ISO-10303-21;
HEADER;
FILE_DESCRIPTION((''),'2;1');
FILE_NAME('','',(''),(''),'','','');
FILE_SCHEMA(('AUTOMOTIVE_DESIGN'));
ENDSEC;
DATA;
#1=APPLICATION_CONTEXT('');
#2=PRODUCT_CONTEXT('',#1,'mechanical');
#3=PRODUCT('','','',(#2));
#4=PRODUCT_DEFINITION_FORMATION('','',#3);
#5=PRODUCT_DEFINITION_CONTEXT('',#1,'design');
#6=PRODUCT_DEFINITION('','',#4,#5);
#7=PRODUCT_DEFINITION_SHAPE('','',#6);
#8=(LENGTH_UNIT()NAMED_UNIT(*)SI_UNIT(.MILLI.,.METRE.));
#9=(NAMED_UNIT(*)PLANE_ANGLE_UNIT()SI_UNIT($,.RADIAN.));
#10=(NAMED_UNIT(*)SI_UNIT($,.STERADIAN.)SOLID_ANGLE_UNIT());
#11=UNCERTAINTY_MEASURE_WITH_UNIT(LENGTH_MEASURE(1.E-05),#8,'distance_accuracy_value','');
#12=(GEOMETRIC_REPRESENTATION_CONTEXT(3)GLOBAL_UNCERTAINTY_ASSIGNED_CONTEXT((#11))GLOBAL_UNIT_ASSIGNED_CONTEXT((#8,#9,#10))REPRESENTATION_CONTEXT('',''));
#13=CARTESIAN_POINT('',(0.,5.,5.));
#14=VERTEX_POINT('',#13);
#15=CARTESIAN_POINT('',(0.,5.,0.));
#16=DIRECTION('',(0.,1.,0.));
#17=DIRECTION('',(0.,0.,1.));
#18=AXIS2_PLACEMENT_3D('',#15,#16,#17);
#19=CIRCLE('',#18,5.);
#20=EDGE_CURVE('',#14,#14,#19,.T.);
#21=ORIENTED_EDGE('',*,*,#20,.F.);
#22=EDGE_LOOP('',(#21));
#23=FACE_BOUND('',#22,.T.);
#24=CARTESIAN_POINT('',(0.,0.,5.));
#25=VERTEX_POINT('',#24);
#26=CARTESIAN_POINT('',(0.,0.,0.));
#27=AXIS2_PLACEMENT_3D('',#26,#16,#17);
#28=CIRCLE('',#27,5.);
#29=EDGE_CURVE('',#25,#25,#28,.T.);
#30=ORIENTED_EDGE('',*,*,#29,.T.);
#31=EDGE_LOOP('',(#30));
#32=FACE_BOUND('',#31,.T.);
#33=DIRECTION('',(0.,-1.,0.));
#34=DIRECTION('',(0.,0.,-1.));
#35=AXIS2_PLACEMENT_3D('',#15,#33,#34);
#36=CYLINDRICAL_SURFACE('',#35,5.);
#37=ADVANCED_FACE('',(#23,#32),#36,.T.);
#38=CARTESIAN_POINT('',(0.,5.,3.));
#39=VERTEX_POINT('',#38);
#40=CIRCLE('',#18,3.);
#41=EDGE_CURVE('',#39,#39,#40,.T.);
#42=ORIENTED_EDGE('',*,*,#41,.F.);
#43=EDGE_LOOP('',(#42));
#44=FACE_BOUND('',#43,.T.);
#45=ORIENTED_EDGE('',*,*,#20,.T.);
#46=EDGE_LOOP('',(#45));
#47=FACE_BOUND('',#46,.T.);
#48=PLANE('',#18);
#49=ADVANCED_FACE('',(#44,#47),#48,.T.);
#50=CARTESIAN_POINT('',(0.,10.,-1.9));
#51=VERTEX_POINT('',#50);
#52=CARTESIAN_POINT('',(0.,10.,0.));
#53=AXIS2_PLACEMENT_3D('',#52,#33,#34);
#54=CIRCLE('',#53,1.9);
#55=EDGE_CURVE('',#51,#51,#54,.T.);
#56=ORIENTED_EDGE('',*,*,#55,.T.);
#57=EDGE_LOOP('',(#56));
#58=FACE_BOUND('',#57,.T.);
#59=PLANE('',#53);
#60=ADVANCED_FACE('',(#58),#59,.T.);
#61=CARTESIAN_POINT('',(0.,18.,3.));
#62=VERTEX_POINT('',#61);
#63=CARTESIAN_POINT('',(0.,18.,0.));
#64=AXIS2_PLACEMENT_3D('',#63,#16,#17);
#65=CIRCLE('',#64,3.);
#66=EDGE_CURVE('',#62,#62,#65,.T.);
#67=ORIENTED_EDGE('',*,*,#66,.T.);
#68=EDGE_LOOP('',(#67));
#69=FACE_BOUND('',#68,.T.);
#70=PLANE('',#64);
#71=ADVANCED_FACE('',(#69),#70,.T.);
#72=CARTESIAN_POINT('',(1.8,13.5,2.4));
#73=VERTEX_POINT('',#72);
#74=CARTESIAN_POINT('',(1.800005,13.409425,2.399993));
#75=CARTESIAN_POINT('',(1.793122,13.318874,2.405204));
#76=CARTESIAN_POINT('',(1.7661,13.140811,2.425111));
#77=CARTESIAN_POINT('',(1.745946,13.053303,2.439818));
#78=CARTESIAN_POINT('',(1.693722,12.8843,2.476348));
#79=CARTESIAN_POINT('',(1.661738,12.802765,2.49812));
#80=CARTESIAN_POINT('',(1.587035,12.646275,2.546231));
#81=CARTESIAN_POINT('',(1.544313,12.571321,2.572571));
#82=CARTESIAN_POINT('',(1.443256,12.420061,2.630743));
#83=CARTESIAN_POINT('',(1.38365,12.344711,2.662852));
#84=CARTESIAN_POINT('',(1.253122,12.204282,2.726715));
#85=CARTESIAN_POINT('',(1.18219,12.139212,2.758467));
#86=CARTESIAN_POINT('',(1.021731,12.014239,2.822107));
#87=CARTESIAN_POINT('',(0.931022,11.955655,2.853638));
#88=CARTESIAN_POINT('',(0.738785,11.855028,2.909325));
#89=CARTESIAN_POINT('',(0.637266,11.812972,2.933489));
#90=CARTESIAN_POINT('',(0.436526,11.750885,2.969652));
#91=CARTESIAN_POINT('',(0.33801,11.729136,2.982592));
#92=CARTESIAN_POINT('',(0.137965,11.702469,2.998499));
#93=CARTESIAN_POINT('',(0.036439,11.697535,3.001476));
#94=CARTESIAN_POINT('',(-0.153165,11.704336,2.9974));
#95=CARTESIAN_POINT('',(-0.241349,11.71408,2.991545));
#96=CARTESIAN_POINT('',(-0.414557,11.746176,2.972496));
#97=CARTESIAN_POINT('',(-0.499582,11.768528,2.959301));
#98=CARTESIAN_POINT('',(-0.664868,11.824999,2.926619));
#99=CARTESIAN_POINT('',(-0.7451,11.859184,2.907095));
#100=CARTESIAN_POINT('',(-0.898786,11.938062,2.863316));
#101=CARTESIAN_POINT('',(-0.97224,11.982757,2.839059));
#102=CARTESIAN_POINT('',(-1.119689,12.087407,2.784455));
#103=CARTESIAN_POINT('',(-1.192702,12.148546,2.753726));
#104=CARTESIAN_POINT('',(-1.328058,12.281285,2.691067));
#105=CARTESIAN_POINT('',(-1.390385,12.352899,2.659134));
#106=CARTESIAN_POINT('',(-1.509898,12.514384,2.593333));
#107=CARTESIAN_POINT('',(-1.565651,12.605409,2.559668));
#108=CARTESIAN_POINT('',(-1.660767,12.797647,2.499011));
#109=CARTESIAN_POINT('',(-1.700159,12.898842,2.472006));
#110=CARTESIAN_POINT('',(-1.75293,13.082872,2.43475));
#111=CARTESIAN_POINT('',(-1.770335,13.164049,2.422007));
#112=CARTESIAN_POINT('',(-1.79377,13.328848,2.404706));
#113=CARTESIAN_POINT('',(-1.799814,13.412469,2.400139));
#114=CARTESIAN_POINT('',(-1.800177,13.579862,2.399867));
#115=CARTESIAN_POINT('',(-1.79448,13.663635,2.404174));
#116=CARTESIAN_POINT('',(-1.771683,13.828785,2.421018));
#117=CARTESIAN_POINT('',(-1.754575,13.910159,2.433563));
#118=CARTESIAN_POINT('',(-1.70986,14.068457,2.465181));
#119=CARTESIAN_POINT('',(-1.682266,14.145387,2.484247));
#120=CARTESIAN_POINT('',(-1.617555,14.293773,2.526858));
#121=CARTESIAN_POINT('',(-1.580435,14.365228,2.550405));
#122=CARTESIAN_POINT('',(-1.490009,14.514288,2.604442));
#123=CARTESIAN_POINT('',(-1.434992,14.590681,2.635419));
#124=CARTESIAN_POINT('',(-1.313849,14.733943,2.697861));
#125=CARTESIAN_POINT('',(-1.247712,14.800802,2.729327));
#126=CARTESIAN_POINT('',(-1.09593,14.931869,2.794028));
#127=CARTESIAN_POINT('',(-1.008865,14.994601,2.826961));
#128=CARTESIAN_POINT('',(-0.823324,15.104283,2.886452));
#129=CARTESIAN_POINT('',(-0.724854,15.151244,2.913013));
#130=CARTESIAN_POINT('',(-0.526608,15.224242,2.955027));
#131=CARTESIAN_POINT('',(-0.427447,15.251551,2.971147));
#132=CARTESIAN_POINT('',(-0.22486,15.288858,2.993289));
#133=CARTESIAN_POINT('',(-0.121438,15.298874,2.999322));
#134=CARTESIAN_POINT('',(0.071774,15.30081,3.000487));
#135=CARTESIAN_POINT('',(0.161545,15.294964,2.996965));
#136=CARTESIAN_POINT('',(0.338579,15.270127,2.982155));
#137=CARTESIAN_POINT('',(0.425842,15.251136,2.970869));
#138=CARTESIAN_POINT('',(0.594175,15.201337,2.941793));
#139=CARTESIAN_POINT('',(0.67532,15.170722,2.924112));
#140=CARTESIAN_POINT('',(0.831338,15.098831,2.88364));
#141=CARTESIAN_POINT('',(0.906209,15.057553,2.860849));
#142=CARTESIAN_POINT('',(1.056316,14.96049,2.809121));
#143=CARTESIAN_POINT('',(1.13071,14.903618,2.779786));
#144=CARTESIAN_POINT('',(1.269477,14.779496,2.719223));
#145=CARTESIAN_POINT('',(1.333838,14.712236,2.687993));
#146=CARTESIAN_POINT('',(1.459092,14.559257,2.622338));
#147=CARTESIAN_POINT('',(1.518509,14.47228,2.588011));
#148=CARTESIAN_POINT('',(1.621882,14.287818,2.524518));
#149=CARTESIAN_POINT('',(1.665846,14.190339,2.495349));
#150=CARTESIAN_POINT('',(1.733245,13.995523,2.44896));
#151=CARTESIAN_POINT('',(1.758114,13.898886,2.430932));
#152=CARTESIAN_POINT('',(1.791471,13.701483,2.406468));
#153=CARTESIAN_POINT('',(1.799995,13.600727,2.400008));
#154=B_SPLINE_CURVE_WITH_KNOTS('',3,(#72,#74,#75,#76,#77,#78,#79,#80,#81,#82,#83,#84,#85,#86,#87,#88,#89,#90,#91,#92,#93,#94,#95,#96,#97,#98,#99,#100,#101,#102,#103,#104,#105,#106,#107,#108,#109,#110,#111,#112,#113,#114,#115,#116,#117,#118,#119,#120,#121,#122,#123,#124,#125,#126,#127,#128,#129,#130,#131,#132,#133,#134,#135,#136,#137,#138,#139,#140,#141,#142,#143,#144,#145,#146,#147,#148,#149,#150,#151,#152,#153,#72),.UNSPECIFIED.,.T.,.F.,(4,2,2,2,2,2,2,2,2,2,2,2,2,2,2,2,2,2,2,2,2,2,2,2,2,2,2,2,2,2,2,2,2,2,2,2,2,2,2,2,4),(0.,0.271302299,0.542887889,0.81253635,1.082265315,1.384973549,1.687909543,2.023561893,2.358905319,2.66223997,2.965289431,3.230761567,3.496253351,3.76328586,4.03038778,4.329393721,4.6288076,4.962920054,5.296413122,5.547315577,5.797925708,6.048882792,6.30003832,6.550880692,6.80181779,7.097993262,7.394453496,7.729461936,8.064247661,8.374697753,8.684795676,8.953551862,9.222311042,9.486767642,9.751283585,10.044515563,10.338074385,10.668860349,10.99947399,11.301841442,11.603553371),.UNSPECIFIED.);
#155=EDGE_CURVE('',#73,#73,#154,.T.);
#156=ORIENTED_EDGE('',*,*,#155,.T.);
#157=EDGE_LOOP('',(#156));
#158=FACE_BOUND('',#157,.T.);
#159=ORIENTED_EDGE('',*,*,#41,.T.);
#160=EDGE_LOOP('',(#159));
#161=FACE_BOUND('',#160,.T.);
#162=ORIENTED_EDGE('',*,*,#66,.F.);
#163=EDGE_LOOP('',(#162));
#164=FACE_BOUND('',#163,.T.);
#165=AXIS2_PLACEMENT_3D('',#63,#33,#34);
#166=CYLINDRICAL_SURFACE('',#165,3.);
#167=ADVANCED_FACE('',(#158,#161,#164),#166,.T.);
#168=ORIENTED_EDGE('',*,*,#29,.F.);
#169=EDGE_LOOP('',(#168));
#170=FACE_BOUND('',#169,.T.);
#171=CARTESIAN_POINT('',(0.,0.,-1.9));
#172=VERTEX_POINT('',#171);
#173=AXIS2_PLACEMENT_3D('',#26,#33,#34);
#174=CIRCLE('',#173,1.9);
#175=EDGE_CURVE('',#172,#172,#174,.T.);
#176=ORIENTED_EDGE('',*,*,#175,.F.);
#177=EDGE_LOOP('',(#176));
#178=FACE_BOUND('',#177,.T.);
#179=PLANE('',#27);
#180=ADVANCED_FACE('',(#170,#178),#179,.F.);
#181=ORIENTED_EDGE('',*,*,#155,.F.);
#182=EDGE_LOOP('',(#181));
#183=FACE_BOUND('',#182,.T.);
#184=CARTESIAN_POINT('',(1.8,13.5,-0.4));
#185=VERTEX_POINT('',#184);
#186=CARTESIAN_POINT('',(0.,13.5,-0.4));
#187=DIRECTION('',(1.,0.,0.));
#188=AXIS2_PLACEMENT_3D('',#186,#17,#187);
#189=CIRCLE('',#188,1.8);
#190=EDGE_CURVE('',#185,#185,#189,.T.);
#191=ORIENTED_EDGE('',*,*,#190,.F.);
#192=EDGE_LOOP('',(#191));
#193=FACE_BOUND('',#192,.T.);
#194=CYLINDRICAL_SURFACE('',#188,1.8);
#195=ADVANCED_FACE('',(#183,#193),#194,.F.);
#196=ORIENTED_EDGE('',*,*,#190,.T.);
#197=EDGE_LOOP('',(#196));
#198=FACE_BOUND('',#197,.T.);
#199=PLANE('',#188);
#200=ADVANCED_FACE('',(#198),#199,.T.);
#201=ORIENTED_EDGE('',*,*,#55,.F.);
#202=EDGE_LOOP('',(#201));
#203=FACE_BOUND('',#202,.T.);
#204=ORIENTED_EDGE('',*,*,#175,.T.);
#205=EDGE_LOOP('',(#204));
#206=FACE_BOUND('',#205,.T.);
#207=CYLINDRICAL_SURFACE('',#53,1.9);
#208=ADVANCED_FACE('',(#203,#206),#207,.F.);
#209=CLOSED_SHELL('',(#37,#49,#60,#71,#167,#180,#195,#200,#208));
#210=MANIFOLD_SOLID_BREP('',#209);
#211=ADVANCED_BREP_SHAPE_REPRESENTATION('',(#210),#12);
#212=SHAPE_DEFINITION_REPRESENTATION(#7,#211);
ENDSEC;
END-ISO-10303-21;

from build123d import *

# Parameters (mm, degrees)
SKETCH1_R               = 5
BOSS_EXTRUDE1_DEPTH     = 5
SKETCH2_R               = 3
BOSS_EXTRUDE2_DEPTH     = 13
SKETCH3_R               = 1.9
CUT_EXTRUDE1_DEPTH      = 10
CUT_EXTRUDE5_DEPTH      = 20.339079606
CUT_EXTRUDE5_DEPTH_BACK = 0.4
SKETCH7_R               = 1.8


with BuildPart() as part:
    # Sketch1 → Boss-Extrude1 (new body)
    with BuildSketch(Plane(origin=(0, 0, 0), x_dir=(1, 0, 0), z_dir=(0, 1, 0))):
        Circle(SKETCH1_R)
    extrude(amount=BOSS_EXTRUDE1_DEPTH)

    # Sketch2 → Boss-Extrude2 (add)
    with BuildSketch(Plane(origin=(0, 5, 0), x_dir=(1, 0, 0), z_dir=(0, 1, 0))):
        Circle(SKETCH2_R)
    extrude(amount=BOSS_EXTRUDE2_DEPTH)

    # Sketch3 → Cut-Extrude1 (cut)
    with BuildSketch(Plane.XZ):
        Circle(SKETCH3_R)
    extrude(amount=-CUT_EXTRUDE1_DEPTH, mode=Mode.SUBTRACT)

    # Sketch7 → Cut-Extrude5 (cut, two sides: drawn at the far end of the back side and taken through both)
    with BuildSketch(Plane.XY.offset(-CUT_EXTRUDE5_DEPTH_BACK)):
        with Locations((0, 13.5)):
            Circle(SKETCH7_R)
    extrude(amount=CUT_EXTRUDE5_DEPTH + CUT_EXTRUDE5_DEPTH_BACK, mode=Mode.SUBTRACT)


solid = part.part
